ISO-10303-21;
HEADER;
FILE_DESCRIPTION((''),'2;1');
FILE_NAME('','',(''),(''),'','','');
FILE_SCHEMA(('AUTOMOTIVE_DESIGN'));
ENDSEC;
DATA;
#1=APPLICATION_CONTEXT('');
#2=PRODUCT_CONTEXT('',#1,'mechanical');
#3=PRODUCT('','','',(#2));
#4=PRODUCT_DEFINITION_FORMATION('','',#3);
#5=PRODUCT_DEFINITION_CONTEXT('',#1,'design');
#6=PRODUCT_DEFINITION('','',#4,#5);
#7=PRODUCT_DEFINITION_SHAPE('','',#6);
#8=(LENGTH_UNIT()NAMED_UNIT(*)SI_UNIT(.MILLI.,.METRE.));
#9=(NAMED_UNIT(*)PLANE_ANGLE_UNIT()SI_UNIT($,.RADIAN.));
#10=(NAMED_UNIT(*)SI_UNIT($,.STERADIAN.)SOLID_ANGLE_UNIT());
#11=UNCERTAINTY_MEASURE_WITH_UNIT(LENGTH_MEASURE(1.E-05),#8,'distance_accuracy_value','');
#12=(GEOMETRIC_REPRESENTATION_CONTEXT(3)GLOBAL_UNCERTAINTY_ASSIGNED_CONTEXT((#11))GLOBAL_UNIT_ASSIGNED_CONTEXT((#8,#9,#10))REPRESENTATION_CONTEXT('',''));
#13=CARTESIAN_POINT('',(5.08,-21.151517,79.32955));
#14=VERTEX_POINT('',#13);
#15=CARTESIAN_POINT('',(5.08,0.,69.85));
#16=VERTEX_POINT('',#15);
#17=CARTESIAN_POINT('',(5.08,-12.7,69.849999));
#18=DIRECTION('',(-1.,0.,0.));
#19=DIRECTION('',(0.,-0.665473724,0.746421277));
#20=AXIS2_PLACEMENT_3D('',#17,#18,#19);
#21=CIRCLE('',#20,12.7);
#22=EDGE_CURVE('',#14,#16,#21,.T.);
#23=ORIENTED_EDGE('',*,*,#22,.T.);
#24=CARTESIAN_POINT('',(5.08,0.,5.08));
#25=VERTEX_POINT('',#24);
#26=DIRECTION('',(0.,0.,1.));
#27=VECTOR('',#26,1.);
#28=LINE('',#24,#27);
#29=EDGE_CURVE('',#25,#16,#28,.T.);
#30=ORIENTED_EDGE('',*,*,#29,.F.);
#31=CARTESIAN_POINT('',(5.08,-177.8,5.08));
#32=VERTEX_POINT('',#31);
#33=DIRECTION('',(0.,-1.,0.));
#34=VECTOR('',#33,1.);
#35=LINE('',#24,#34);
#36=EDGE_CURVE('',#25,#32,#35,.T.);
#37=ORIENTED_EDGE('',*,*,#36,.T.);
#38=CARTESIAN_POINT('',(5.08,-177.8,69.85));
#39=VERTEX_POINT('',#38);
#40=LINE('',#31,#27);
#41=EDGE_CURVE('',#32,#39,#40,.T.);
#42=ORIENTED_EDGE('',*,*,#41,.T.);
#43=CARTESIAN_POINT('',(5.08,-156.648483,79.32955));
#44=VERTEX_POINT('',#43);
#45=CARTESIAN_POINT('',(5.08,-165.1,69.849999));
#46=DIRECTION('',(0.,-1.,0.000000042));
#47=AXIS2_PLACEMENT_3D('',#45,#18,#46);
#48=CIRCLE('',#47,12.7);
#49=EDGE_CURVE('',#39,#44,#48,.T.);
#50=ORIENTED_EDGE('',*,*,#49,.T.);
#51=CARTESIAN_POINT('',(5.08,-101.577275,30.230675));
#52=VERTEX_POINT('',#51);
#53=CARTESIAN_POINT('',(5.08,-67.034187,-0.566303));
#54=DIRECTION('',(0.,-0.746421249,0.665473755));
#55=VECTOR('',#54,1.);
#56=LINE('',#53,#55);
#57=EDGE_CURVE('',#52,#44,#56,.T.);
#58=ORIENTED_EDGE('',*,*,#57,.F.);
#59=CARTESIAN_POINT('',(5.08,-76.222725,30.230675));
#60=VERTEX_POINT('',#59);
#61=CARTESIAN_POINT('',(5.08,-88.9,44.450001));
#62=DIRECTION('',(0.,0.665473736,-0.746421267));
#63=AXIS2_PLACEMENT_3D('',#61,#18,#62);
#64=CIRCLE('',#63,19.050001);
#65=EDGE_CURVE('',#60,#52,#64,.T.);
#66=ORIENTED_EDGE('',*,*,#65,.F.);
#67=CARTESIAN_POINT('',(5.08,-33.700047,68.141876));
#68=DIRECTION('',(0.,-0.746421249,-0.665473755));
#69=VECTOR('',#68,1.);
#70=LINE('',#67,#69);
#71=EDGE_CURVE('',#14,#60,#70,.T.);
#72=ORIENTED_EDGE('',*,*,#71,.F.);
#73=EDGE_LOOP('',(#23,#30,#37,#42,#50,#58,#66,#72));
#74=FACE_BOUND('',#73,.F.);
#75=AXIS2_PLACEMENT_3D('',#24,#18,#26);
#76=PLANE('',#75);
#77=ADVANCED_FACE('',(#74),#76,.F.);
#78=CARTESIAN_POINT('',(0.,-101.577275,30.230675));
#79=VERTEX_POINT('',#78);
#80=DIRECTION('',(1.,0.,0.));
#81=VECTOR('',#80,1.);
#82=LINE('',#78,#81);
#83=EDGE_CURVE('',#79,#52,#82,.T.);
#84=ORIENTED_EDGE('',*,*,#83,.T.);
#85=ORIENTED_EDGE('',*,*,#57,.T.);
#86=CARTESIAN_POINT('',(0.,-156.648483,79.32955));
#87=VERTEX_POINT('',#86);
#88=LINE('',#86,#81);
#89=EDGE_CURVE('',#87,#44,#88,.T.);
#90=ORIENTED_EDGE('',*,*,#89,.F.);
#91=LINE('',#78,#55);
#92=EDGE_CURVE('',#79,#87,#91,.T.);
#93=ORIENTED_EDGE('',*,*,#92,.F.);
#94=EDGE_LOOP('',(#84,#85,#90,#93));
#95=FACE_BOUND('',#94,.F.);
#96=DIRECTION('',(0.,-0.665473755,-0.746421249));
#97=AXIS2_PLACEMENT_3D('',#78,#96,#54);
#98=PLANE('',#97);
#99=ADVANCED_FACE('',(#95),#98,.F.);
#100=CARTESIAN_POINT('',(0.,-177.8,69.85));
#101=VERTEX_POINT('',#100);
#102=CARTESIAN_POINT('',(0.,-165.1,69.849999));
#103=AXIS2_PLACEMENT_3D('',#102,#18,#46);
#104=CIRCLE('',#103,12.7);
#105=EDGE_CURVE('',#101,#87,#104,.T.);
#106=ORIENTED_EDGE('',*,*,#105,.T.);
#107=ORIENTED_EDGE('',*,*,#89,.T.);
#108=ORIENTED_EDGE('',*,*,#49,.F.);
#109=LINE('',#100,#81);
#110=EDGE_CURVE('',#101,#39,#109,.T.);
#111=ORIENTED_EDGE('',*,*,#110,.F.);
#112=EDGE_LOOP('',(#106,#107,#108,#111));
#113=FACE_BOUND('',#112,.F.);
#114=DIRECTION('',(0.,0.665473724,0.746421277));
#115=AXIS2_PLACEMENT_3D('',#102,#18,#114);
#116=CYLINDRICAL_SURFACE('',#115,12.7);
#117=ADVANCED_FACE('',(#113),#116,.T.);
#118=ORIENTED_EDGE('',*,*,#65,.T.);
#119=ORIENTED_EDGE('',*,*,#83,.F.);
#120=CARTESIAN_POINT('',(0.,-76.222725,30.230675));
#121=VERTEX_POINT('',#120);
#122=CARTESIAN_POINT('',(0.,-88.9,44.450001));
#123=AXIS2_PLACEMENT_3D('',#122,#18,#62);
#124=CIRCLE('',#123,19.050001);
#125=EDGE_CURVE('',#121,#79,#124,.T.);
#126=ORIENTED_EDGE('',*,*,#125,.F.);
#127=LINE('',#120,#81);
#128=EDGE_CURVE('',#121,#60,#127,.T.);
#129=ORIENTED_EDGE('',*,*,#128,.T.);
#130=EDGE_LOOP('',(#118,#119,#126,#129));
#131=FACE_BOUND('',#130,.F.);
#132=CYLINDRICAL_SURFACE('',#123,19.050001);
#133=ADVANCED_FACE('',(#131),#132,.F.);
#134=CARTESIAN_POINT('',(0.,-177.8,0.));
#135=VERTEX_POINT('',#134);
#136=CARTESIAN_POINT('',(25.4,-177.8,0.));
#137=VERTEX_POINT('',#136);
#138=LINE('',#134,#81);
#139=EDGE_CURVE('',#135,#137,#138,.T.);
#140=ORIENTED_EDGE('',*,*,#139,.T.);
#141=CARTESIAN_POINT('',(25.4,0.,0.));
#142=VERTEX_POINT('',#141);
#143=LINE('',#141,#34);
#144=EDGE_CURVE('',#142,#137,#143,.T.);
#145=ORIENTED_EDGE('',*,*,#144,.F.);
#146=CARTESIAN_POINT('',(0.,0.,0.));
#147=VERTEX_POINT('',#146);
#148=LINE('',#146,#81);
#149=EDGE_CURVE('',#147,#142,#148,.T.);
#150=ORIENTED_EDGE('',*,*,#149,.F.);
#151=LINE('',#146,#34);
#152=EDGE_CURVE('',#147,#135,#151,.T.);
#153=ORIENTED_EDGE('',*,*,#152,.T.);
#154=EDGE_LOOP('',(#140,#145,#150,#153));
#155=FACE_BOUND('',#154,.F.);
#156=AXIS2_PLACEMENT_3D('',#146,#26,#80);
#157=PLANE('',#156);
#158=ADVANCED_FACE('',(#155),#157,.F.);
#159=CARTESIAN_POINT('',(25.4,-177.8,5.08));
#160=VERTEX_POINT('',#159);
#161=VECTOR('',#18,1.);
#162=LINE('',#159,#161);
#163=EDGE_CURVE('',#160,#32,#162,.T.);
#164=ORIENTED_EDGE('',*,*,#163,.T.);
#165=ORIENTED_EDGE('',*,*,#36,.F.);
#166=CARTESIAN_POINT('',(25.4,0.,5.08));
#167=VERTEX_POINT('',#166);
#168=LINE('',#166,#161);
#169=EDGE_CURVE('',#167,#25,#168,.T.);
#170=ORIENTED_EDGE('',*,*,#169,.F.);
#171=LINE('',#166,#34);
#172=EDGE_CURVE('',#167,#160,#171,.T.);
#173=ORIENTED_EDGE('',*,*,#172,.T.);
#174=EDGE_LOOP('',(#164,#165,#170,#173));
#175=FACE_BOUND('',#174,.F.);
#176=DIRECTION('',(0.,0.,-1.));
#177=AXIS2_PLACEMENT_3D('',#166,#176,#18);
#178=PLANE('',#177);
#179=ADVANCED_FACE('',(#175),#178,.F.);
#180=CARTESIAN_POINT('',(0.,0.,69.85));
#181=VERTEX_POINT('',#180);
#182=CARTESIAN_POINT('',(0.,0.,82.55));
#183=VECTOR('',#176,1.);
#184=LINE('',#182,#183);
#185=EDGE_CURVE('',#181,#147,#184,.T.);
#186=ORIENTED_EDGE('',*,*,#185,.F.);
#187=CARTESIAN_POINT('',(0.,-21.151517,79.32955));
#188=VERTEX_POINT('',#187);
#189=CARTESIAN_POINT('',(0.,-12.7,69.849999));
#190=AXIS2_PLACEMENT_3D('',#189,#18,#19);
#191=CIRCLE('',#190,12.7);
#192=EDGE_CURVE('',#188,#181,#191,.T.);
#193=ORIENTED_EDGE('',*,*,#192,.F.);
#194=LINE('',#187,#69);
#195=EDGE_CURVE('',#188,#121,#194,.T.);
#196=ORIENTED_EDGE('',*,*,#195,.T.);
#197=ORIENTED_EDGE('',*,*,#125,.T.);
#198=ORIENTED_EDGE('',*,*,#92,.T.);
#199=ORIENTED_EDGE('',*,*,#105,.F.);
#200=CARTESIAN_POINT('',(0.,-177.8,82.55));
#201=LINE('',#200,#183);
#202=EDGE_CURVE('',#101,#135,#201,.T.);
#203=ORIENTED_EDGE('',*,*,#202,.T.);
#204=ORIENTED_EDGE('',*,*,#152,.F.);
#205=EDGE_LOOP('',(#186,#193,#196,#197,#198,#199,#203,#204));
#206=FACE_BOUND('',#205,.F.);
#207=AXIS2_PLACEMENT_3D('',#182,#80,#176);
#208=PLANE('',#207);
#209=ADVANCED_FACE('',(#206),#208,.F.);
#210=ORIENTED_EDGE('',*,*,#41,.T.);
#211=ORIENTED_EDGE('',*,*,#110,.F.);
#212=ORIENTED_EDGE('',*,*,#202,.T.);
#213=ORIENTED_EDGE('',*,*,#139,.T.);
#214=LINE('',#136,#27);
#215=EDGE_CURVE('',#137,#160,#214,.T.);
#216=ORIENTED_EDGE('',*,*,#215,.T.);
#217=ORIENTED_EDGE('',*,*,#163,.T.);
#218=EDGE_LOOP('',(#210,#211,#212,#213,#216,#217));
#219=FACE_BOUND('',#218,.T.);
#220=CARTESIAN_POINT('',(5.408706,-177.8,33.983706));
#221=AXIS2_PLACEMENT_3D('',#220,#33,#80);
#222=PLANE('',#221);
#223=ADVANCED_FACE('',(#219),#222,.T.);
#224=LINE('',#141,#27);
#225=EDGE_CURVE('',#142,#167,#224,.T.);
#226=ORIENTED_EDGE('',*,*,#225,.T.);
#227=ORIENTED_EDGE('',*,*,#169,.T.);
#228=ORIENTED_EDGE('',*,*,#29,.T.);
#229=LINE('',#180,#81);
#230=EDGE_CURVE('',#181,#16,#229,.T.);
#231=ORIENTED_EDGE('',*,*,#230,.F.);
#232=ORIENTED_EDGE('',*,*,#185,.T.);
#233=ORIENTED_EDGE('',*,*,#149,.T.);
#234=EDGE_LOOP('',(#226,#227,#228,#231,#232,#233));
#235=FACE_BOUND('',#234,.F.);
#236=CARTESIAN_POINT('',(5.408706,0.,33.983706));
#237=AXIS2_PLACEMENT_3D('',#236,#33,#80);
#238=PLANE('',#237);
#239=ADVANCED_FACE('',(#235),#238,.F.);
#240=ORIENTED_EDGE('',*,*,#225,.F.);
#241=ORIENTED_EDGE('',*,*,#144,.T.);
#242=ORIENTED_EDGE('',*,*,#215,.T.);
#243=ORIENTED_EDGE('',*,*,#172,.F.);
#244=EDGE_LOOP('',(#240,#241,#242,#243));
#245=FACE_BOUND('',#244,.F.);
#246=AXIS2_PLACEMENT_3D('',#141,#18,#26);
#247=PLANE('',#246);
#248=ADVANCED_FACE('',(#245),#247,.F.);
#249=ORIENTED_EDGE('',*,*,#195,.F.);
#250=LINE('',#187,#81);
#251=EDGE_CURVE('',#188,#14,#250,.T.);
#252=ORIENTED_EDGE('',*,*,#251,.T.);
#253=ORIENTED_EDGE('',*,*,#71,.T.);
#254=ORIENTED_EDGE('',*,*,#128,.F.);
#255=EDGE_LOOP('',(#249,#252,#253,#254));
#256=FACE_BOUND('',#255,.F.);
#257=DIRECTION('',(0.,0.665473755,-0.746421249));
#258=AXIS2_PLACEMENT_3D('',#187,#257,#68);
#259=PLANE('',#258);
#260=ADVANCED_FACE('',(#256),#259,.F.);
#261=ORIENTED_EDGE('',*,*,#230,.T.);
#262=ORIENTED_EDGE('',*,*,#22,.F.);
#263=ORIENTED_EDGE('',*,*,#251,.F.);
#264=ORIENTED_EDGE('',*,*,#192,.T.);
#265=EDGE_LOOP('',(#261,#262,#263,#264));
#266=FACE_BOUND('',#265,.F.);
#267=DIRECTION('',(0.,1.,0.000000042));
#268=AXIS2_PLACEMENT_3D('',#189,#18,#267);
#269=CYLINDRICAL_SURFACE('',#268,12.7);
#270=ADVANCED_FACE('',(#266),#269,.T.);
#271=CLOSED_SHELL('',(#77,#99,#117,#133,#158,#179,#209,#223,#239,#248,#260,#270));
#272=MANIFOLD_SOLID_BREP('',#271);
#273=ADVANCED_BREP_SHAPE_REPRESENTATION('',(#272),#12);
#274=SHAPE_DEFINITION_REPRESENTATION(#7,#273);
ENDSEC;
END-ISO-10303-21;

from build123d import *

# Parameters (mm, degrees)
F1_DEPTH = 177.8
F4_DEPTH = 25.4


with BuildPart() as f1:
    # F0 (on Front) → F1 (new body)
    with BuildSketch(Plane.XZ):
        Polygon((0, 82.55), (0, 0), (25.4, 0), (25.4, 5.08), (5.08, 5.08), (5.08, 82.55), align=None)
    extrude(amount=F1_DEPTH)

    # F3 (on face) → F4 (cut)
    with BuildSketch(Plane(origin=(0, 0, 0), x_dir=(0, -1, 0), z_dir=(-1, 0, 0))):
        with BuildLine():
            ThreePointArc((0, 69.85), (7.505978, 81.439311), (21.151517, 79.32955))
            Line((21.151517, 79.32955), (76.222725, 30.230675))
            ThreePointArc((76.222725, 30.230675), (88.9, 25.4), (101.577275, 30.230675))
            Line((101.577275, 30.230675), (156.648483, 79.32955))
            ThreePointArc((156.648483, 79.32955), (170.294022, 81.439311), (177.8, 69.85))
            Line((177.8, 69.85), (203.2, 69.85))
            Line((203.2, 69.85), (203.2, 95.25))
            Line((203.2, 95.25), (-25.4, 95.25))
            Line((-25.4, 95.25), (-25.4, 69.85))
            Line((-25.4, 69.85), (0, 69.85))
        make_face()
    extrude(amount=-F4_DEPTH, mode=Mode.SUBTRACT)


solid = f1.part
